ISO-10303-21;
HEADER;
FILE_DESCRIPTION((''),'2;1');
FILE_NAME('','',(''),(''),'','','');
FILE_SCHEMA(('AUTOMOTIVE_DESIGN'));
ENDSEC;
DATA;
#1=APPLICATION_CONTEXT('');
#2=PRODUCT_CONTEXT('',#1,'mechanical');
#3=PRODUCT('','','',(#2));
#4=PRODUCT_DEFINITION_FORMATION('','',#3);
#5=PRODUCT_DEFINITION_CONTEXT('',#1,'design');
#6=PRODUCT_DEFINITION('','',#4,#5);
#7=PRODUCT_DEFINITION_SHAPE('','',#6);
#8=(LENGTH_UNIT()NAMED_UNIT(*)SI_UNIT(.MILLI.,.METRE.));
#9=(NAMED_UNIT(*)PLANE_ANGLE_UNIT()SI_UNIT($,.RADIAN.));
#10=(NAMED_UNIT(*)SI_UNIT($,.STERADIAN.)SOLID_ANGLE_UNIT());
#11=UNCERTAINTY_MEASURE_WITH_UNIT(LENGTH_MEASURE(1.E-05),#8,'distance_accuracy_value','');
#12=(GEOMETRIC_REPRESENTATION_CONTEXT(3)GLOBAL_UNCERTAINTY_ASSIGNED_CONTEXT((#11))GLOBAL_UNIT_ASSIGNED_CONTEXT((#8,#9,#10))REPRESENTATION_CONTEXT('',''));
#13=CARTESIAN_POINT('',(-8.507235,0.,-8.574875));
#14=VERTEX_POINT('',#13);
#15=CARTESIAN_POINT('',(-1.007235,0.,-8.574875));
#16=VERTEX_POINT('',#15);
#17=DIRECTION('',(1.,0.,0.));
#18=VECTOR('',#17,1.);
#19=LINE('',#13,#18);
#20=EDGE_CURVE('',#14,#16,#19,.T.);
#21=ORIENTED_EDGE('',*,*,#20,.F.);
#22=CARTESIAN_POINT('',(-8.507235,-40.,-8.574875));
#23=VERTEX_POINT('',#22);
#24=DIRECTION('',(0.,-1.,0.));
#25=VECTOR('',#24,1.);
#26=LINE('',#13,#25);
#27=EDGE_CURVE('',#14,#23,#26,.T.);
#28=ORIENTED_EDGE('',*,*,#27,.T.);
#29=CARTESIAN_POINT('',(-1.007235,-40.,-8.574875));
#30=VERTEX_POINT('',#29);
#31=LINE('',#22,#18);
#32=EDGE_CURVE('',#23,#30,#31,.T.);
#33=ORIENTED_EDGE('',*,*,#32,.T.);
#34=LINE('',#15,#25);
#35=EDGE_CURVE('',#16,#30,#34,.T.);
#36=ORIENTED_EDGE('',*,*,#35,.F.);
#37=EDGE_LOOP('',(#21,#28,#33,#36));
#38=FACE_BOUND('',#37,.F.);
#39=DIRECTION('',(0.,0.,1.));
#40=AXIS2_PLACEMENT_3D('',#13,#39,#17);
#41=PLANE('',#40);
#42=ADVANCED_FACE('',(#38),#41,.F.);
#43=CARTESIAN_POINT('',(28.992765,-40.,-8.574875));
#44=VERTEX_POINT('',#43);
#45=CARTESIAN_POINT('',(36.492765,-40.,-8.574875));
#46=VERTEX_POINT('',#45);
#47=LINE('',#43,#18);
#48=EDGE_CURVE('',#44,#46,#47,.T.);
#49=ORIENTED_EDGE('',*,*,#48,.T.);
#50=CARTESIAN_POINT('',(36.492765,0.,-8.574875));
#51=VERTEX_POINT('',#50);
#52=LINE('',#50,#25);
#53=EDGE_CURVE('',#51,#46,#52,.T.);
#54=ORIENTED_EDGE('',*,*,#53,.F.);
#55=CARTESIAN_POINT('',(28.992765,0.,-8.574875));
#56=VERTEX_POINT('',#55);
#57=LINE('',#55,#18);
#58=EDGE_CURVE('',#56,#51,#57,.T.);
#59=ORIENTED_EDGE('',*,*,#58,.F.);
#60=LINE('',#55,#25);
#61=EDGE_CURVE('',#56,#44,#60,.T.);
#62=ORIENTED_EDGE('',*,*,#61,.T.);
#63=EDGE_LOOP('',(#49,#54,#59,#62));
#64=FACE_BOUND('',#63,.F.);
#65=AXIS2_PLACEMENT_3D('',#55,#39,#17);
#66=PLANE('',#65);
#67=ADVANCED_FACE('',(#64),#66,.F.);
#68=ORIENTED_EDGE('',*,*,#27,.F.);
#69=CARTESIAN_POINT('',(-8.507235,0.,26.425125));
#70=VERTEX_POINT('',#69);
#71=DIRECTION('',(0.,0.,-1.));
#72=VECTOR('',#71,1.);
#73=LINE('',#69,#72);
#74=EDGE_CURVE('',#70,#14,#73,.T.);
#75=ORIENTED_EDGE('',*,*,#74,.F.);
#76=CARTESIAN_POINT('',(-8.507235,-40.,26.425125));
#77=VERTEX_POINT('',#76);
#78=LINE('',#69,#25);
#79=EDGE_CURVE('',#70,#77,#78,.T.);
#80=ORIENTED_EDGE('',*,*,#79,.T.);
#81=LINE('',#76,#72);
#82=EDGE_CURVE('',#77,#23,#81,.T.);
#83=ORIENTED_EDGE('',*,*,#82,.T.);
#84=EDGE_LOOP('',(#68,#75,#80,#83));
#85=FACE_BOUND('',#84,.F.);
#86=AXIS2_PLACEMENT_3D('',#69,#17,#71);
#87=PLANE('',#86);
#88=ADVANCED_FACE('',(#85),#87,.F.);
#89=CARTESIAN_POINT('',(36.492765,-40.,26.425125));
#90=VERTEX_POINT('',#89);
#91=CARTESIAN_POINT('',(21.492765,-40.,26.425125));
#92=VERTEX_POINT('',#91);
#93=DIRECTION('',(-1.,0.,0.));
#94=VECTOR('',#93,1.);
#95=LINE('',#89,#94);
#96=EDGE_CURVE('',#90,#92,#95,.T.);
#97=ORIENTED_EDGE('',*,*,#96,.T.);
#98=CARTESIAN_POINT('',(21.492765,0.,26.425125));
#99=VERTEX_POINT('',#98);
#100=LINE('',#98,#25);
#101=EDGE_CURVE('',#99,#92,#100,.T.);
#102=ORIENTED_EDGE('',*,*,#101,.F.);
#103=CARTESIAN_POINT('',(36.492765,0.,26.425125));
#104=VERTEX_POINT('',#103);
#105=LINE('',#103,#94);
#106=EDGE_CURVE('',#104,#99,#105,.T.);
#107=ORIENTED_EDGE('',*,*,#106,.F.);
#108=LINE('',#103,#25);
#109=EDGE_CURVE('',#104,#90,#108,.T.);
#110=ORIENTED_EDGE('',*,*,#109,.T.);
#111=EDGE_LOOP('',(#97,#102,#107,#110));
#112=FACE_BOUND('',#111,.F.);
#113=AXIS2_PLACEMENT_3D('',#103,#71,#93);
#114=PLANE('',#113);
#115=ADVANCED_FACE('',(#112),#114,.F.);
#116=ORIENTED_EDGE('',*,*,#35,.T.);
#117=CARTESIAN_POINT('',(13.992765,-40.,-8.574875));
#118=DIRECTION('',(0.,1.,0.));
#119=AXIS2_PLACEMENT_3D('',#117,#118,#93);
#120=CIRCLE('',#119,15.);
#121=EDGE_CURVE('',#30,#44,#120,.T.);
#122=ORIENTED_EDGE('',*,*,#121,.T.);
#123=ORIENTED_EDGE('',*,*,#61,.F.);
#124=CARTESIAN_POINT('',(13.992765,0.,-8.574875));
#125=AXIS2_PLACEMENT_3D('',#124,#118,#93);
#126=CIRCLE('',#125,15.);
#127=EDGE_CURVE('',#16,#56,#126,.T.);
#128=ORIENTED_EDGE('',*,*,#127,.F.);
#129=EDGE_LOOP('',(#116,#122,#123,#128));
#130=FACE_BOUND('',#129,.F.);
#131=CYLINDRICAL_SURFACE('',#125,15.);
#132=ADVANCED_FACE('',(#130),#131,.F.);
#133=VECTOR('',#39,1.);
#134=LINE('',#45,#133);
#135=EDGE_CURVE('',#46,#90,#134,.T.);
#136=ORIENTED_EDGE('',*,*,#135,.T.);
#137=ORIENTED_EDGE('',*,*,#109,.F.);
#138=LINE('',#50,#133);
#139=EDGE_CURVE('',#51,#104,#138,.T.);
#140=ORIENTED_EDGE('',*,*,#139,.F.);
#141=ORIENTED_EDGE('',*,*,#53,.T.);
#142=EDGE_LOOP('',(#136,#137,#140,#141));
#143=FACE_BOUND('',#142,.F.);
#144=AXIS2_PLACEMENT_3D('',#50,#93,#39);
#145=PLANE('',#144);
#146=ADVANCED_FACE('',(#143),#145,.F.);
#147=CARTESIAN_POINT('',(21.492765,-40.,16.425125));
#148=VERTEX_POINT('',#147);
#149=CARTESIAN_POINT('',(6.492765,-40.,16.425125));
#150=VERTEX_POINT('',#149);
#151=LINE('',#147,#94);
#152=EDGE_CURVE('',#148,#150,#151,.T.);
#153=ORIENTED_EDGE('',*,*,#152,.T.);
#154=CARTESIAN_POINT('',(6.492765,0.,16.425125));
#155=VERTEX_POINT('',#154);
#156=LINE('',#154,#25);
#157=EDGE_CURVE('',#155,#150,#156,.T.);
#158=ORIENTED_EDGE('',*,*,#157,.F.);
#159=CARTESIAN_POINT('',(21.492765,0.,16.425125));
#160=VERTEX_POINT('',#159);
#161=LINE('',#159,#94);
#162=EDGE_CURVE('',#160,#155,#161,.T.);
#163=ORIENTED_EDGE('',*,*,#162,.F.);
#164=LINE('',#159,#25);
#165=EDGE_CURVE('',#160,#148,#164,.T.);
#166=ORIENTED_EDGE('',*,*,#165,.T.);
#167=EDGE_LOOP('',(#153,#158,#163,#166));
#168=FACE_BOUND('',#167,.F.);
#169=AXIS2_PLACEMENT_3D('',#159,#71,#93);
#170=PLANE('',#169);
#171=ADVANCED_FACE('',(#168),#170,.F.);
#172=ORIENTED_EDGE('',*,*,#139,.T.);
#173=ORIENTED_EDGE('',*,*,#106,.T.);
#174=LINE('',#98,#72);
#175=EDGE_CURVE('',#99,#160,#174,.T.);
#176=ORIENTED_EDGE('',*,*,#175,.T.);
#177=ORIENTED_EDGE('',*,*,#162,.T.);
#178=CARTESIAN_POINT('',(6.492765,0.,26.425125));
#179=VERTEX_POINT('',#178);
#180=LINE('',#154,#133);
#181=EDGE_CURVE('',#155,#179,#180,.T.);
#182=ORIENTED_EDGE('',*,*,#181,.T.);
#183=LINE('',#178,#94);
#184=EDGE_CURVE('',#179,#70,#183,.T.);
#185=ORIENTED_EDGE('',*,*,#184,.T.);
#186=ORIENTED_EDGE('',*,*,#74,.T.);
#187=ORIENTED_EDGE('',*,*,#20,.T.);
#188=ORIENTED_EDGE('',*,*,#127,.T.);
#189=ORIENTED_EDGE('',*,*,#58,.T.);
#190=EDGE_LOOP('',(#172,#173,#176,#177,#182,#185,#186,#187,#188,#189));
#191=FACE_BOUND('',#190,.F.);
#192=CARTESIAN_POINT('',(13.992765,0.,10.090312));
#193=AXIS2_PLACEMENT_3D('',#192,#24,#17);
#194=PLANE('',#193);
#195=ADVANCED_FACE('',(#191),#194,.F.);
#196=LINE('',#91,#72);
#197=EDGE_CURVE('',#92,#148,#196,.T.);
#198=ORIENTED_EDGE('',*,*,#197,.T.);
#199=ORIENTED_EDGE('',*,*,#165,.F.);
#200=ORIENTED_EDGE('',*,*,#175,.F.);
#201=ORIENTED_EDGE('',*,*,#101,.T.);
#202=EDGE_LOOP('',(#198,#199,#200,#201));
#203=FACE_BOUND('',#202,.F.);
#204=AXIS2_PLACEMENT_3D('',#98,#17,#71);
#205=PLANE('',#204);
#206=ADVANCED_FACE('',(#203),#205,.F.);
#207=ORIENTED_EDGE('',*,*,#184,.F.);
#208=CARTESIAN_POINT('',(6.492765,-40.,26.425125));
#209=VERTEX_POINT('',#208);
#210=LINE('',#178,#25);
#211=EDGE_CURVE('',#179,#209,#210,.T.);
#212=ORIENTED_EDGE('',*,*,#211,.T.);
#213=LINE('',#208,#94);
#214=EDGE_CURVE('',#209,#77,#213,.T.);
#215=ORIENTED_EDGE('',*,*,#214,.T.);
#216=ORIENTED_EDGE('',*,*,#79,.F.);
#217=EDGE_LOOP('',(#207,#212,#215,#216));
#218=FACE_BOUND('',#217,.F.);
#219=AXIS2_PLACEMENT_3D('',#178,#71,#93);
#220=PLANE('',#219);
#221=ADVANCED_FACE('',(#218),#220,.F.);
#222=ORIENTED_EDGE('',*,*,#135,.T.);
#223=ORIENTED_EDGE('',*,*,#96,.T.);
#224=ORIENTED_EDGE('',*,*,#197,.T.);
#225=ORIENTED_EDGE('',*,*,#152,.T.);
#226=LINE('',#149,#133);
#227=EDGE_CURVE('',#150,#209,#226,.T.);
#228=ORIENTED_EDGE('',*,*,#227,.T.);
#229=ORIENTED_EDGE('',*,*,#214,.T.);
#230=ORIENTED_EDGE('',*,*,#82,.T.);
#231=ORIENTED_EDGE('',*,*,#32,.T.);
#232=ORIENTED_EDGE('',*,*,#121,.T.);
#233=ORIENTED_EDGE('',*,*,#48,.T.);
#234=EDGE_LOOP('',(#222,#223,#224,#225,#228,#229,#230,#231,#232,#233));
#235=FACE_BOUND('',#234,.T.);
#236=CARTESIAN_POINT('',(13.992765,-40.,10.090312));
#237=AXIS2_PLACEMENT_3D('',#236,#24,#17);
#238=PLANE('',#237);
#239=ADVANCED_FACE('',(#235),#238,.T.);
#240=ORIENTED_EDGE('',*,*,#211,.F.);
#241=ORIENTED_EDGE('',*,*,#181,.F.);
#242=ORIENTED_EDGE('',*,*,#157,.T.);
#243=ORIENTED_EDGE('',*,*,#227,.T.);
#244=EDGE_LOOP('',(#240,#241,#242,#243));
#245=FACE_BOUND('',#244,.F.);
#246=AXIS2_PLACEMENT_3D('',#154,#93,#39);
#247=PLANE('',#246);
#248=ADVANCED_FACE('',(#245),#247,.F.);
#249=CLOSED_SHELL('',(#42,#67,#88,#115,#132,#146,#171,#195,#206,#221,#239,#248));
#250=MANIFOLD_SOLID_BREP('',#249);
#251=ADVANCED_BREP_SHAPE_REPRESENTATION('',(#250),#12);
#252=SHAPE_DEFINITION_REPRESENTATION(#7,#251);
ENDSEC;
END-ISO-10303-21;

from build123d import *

# Parameters (mm, degrees)
F1_DEPTH = 40


with BuildPart() as f1:
    # F0 (on Front) → F1 (new body)
    with BuildSketch(Plane.XZ):
        with BuildLine():
            Line((6.492765, 26.425125), (-8.507235, 26.425125))
            Line((-8.507235, 26.425125), (-8.507235, -8.574875))
            Line((-8.507235, -8.574875), (-1.007235, -8.574875))
            ThreePointArc((-1.007235, -8.574875), (13.992765, 6.425125), (28.992765, -8.574875))
            Line((28.992765, -8.574875), (36.492765, -8.574875))
            Line((36.492765, -8.574875), (36.492765, 26.425125))
            Line((36.492765, 26.425125), (21.492765, 26.425125))
            Line((21.492765, 26.425125), (21.492765, 16.425125))
            Line((21.492765, 16.425125), (6.492765, 16.425125))
            Line((6.492765, 16.425125), (6.492765, 26.425125))
        make_face()
    extrude(amount=F1_DEPTH)


solid = f1.part
